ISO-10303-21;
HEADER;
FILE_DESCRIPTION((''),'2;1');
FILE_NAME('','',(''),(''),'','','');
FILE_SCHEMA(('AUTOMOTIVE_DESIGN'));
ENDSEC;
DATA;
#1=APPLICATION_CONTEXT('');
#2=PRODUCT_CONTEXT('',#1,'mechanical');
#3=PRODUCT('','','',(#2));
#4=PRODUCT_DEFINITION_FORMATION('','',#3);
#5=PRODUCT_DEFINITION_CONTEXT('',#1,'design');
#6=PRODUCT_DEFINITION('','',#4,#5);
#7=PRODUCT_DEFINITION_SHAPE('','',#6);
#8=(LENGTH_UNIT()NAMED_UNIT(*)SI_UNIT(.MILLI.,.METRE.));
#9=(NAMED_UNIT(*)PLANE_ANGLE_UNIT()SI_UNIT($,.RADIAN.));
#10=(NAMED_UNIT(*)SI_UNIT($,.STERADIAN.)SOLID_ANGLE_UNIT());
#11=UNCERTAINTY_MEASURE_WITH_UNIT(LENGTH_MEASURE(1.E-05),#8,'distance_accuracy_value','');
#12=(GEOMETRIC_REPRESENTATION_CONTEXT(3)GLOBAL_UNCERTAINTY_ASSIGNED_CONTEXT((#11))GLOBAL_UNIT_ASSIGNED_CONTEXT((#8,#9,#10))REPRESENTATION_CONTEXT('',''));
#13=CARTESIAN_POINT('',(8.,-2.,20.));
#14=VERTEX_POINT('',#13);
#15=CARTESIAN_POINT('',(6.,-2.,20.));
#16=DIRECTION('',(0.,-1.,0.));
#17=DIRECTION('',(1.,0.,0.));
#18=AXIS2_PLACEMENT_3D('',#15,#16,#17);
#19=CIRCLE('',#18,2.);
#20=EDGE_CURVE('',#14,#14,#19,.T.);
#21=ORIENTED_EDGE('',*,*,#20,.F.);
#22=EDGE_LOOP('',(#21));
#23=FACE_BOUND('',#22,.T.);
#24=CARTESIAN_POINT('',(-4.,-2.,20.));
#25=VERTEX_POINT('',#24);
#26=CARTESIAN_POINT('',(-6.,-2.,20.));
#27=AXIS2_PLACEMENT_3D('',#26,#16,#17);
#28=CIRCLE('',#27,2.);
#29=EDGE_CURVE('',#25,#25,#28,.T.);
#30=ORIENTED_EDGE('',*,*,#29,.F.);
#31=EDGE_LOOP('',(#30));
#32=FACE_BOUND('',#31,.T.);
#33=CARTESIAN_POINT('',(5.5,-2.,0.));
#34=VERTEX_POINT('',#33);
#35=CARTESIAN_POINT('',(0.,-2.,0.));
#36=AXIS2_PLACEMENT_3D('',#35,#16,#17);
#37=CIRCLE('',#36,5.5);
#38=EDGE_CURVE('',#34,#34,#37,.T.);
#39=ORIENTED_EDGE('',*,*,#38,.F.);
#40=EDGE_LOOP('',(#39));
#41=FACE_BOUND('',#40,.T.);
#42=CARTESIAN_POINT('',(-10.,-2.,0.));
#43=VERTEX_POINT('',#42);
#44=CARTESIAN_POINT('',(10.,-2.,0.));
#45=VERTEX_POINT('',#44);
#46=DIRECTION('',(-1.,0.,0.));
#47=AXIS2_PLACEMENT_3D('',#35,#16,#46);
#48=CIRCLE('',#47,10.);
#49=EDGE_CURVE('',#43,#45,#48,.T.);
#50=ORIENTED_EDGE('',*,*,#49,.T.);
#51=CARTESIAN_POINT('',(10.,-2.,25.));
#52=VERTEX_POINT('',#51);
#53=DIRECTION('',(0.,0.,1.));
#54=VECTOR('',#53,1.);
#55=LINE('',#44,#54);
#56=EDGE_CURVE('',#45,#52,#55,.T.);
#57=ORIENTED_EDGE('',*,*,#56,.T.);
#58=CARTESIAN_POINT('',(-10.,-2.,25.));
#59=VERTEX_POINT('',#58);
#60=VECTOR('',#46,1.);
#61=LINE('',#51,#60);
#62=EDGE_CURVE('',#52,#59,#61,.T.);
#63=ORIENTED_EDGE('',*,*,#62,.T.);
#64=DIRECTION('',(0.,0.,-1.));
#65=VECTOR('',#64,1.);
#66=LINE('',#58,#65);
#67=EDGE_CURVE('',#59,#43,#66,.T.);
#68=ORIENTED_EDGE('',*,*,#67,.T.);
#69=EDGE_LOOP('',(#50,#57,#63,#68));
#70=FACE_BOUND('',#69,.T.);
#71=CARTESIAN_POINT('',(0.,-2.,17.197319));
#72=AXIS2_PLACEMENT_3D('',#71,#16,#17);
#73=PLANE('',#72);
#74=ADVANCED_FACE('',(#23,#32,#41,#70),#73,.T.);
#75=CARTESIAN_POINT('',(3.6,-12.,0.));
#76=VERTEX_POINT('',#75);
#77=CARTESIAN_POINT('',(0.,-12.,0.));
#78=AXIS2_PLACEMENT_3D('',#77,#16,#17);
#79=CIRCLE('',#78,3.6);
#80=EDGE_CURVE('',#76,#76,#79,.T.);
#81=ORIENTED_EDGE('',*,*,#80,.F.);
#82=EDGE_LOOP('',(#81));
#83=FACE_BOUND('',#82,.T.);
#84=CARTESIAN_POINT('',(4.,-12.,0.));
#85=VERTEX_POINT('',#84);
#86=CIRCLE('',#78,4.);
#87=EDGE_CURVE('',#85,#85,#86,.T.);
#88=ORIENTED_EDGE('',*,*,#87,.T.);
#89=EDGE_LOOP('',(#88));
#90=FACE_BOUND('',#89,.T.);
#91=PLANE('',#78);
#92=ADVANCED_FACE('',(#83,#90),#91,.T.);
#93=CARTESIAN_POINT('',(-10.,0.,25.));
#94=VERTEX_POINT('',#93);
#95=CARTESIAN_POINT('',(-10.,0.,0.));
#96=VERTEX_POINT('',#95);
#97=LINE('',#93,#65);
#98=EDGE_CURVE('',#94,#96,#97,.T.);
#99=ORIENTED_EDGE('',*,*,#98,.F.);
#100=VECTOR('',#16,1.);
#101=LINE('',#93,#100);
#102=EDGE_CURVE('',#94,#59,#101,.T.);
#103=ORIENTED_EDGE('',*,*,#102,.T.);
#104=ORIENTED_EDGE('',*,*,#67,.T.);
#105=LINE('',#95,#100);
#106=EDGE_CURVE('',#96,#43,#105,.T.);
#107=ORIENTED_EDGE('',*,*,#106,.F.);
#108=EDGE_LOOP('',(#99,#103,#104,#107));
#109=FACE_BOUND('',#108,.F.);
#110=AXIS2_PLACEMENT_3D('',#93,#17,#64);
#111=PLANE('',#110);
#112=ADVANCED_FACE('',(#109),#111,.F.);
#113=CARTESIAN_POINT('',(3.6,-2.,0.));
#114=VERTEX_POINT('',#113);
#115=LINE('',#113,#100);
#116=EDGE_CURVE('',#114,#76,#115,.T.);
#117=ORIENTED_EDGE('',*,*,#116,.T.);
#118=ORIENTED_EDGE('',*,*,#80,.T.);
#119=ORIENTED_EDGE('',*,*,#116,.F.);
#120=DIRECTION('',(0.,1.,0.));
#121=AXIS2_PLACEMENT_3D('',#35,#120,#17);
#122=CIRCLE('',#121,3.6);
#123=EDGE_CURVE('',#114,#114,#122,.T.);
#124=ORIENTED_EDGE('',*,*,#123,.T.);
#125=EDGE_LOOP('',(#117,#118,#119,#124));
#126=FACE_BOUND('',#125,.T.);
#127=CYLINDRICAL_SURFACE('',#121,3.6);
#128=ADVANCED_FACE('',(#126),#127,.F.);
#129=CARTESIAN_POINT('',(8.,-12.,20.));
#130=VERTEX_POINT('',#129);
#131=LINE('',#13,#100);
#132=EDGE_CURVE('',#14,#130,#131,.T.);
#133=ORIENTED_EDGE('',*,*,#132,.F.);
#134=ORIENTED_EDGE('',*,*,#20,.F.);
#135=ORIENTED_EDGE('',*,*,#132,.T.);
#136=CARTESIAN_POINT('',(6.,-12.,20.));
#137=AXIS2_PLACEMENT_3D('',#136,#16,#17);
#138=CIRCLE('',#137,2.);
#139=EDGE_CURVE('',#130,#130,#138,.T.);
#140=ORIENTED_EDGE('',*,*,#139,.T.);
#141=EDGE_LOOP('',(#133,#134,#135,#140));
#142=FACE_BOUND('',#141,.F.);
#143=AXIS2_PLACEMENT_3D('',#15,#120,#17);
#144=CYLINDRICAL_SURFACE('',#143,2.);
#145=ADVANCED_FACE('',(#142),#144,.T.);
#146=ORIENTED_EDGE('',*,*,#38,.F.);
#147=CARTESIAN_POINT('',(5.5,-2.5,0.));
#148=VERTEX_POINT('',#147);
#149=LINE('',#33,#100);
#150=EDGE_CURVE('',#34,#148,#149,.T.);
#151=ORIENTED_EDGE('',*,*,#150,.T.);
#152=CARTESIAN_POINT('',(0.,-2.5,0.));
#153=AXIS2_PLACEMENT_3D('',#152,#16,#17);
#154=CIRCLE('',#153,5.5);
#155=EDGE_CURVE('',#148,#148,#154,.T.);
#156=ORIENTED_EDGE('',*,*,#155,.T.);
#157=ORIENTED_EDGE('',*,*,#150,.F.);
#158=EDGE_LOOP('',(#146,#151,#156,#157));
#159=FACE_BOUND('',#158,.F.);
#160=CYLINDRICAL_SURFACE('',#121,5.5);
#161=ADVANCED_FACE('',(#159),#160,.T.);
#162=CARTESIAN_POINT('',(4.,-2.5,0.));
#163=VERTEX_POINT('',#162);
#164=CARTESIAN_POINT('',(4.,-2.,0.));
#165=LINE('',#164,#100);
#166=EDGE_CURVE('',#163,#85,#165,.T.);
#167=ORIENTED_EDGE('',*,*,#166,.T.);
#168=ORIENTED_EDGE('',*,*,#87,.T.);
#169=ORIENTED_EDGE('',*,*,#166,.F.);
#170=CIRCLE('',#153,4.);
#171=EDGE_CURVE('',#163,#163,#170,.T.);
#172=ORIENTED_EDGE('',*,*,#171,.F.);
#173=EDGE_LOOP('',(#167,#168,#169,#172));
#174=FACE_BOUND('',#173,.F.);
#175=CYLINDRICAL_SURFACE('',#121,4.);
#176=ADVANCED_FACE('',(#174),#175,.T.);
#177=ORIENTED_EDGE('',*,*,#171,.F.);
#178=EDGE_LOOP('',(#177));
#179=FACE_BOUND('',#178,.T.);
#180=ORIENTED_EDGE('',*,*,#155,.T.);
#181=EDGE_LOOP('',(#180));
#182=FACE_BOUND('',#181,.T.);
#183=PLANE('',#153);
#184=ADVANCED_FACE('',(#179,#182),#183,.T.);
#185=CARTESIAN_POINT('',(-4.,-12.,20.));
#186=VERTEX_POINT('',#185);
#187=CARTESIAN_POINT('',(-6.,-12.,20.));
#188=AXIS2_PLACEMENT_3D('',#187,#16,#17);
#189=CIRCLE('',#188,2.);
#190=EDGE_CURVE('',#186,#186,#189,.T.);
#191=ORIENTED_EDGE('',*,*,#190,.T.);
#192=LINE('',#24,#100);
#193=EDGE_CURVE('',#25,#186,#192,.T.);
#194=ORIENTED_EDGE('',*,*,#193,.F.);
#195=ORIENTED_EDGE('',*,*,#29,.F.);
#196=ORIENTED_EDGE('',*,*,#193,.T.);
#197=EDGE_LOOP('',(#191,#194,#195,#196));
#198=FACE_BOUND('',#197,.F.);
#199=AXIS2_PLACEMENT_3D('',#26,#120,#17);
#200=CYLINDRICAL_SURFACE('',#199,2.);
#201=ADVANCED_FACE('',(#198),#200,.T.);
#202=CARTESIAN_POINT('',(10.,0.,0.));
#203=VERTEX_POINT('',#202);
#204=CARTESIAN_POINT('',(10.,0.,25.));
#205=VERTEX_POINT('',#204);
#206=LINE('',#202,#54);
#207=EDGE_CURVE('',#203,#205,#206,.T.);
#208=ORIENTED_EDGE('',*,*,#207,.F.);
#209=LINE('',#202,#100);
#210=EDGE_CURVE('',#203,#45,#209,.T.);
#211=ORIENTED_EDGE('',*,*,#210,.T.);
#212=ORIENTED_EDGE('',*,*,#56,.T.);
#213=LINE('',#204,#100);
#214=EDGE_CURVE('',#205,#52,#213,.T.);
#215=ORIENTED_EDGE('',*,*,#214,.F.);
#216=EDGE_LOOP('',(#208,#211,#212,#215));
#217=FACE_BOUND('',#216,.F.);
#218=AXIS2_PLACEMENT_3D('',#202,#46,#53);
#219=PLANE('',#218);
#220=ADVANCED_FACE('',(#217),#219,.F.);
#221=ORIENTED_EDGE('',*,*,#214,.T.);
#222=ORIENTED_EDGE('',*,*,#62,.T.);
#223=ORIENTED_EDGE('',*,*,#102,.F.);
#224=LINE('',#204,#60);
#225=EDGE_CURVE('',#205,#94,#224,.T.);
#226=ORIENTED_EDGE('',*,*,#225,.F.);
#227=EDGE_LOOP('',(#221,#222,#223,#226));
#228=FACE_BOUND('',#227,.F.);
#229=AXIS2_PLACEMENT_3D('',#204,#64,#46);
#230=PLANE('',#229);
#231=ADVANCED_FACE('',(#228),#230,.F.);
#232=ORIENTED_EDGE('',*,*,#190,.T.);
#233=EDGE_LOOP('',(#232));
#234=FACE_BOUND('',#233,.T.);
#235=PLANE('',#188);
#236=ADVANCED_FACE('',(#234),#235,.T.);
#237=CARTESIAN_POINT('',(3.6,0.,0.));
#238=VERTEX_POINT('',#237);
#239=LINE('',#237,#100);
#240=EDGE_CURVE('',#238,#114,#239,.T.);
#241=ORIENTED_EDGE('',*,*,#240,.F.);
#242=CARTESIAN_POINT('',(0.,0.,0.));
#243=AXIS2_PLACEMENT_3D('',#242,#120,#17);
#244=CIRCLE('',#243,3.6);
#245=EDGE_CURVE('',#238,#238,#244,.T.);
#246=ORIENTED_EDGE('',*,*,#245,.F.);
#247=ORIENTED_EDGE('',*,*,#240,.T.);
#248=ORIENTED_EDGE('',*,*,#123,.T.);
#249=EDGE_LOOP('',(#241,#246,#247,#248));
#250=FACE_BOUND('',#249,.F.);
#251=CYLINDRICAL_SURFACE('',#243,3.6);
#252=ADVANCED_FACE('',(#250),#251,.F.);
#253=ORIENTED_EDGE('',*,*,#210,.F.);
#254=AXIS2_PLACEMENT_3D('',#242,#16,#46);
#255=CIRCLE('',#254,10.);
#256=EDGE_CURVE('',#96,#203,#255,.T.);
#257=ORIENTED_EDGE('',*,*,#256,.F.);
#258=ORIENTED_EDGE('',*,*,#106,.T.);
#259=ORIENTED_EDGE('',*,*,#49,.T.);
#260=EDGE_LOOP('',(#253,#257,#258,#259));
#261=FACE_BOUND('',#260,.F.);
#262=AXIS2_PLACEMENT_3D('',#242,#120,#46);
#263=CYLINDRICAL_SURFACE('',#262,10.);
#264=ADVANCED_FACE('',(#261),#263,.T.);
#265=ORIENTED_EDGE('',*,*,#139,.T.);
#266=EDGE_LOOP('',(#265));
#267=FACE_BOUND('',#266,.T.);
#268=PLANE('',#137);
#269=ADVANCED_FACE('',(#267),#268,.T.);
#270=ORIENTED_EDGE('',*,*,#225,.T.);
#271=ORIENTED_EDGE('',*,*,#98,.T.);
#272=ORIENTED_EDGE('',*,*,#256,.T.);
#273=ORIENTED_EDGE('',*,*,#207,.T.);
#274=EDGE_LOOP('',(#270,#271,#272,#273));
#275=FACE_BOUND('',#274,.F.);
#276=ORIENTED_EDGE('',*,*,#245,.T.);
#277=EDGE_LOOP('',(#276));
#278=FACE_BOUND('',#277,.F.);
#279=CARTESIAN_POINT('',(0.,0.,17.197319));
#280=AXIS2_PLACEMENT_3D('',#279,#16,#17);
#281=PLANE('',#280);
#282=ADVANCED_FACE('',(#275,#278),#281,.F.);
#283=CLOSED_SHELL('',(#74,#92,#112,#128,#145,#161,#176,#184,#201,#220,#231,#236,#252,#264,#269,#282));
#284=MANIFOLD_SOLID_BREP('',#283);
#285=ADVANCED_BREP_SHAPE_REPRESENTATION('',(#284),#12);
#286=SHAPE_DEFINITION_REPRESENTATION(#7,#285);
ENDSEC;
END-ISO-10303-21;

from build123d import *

# Parameters (mm, degrees)
F1_DEPTH = 2
F2_R     = 4
F2_R_2   = 3.6
F3_DEPTH = 10
F4_R     = 2
F5_DEPTH = 10
F6_R     = 5.5
F6_R_2   = 4
F7_DEPTH = 0.5


with BuildPart() as f1:
    # F0 (on Front) → F1 (new body)
    with BuildSketch(Plane.XZ):
        with BuildLine():
            ThreePointArc((-10, 8.3066238629), (0, 13), (10, 8.3066238629))
            Line((10, 8.3066238629), (10, 25))
            Line((10, 25), (-10, 25))
            Line((-10, 25), (-10, 8.3066238629))
        make_face()
        with BuildLine():
            Line((10, 0), (10, 8.3066238629))
            ThreePointArc((10, 8.3066238629), (0, 13), (-10, 8.3066238629))
            Line((-10, 8.3066238629), (-10, 0))
            ThreePointArc((-10, 0), (0, 10), (10, 0))
        make_face()
        with BuildLine():
            Line((3.6, 0), (10, 0))
            ThreePointArc((10, 0), (0, 10), (-10, 0))
            Line((-10, 0), (-3.6, 0))
            ThreePointArc((-3.6, 0), (0, 3.6), (3.6, 0))
        make_face()
        with BuildLine():
            ThreePointArc((-10, 0), (0, -10), (10, 0))
            Line((10, 0), (3.6, 0))
            ThreePointArc((3.6, 0), (0, -3.6), (-3.6, 0))
            Line((-3.6, 0), (-10, 0))
        make_face()
    extrude(amount=F1_DEPTH)

    # F2 (on face) → F3 (join)
    with BuildSketch(Plane.XZ.offset(2)):
        Circle(F2_R)
        Circle(F2_R_2, mode=Mode.SUBTRACT)
    extrude(amount=F3_DEPTH)

    # F4 (on face) → F5 (join)
    with BuildSketch(Plane.XZ.offset(2)):
        with Locations((-6, 20)):
            Circle(F4_R)
        with Locations((6, 20)):
            Circle(F4_R)
    extrude(amount=F5_DEPTH)

    # F6 (on face) → F7 (join)
    with BuildSketch(Plane.XZ.offset(2)):
        Circle(F6_R)
        Circle(F6_R_2, mode=Mode.SUBTRACT)
    extrude(amount=F7_DEPTH)


solid = f1.part
